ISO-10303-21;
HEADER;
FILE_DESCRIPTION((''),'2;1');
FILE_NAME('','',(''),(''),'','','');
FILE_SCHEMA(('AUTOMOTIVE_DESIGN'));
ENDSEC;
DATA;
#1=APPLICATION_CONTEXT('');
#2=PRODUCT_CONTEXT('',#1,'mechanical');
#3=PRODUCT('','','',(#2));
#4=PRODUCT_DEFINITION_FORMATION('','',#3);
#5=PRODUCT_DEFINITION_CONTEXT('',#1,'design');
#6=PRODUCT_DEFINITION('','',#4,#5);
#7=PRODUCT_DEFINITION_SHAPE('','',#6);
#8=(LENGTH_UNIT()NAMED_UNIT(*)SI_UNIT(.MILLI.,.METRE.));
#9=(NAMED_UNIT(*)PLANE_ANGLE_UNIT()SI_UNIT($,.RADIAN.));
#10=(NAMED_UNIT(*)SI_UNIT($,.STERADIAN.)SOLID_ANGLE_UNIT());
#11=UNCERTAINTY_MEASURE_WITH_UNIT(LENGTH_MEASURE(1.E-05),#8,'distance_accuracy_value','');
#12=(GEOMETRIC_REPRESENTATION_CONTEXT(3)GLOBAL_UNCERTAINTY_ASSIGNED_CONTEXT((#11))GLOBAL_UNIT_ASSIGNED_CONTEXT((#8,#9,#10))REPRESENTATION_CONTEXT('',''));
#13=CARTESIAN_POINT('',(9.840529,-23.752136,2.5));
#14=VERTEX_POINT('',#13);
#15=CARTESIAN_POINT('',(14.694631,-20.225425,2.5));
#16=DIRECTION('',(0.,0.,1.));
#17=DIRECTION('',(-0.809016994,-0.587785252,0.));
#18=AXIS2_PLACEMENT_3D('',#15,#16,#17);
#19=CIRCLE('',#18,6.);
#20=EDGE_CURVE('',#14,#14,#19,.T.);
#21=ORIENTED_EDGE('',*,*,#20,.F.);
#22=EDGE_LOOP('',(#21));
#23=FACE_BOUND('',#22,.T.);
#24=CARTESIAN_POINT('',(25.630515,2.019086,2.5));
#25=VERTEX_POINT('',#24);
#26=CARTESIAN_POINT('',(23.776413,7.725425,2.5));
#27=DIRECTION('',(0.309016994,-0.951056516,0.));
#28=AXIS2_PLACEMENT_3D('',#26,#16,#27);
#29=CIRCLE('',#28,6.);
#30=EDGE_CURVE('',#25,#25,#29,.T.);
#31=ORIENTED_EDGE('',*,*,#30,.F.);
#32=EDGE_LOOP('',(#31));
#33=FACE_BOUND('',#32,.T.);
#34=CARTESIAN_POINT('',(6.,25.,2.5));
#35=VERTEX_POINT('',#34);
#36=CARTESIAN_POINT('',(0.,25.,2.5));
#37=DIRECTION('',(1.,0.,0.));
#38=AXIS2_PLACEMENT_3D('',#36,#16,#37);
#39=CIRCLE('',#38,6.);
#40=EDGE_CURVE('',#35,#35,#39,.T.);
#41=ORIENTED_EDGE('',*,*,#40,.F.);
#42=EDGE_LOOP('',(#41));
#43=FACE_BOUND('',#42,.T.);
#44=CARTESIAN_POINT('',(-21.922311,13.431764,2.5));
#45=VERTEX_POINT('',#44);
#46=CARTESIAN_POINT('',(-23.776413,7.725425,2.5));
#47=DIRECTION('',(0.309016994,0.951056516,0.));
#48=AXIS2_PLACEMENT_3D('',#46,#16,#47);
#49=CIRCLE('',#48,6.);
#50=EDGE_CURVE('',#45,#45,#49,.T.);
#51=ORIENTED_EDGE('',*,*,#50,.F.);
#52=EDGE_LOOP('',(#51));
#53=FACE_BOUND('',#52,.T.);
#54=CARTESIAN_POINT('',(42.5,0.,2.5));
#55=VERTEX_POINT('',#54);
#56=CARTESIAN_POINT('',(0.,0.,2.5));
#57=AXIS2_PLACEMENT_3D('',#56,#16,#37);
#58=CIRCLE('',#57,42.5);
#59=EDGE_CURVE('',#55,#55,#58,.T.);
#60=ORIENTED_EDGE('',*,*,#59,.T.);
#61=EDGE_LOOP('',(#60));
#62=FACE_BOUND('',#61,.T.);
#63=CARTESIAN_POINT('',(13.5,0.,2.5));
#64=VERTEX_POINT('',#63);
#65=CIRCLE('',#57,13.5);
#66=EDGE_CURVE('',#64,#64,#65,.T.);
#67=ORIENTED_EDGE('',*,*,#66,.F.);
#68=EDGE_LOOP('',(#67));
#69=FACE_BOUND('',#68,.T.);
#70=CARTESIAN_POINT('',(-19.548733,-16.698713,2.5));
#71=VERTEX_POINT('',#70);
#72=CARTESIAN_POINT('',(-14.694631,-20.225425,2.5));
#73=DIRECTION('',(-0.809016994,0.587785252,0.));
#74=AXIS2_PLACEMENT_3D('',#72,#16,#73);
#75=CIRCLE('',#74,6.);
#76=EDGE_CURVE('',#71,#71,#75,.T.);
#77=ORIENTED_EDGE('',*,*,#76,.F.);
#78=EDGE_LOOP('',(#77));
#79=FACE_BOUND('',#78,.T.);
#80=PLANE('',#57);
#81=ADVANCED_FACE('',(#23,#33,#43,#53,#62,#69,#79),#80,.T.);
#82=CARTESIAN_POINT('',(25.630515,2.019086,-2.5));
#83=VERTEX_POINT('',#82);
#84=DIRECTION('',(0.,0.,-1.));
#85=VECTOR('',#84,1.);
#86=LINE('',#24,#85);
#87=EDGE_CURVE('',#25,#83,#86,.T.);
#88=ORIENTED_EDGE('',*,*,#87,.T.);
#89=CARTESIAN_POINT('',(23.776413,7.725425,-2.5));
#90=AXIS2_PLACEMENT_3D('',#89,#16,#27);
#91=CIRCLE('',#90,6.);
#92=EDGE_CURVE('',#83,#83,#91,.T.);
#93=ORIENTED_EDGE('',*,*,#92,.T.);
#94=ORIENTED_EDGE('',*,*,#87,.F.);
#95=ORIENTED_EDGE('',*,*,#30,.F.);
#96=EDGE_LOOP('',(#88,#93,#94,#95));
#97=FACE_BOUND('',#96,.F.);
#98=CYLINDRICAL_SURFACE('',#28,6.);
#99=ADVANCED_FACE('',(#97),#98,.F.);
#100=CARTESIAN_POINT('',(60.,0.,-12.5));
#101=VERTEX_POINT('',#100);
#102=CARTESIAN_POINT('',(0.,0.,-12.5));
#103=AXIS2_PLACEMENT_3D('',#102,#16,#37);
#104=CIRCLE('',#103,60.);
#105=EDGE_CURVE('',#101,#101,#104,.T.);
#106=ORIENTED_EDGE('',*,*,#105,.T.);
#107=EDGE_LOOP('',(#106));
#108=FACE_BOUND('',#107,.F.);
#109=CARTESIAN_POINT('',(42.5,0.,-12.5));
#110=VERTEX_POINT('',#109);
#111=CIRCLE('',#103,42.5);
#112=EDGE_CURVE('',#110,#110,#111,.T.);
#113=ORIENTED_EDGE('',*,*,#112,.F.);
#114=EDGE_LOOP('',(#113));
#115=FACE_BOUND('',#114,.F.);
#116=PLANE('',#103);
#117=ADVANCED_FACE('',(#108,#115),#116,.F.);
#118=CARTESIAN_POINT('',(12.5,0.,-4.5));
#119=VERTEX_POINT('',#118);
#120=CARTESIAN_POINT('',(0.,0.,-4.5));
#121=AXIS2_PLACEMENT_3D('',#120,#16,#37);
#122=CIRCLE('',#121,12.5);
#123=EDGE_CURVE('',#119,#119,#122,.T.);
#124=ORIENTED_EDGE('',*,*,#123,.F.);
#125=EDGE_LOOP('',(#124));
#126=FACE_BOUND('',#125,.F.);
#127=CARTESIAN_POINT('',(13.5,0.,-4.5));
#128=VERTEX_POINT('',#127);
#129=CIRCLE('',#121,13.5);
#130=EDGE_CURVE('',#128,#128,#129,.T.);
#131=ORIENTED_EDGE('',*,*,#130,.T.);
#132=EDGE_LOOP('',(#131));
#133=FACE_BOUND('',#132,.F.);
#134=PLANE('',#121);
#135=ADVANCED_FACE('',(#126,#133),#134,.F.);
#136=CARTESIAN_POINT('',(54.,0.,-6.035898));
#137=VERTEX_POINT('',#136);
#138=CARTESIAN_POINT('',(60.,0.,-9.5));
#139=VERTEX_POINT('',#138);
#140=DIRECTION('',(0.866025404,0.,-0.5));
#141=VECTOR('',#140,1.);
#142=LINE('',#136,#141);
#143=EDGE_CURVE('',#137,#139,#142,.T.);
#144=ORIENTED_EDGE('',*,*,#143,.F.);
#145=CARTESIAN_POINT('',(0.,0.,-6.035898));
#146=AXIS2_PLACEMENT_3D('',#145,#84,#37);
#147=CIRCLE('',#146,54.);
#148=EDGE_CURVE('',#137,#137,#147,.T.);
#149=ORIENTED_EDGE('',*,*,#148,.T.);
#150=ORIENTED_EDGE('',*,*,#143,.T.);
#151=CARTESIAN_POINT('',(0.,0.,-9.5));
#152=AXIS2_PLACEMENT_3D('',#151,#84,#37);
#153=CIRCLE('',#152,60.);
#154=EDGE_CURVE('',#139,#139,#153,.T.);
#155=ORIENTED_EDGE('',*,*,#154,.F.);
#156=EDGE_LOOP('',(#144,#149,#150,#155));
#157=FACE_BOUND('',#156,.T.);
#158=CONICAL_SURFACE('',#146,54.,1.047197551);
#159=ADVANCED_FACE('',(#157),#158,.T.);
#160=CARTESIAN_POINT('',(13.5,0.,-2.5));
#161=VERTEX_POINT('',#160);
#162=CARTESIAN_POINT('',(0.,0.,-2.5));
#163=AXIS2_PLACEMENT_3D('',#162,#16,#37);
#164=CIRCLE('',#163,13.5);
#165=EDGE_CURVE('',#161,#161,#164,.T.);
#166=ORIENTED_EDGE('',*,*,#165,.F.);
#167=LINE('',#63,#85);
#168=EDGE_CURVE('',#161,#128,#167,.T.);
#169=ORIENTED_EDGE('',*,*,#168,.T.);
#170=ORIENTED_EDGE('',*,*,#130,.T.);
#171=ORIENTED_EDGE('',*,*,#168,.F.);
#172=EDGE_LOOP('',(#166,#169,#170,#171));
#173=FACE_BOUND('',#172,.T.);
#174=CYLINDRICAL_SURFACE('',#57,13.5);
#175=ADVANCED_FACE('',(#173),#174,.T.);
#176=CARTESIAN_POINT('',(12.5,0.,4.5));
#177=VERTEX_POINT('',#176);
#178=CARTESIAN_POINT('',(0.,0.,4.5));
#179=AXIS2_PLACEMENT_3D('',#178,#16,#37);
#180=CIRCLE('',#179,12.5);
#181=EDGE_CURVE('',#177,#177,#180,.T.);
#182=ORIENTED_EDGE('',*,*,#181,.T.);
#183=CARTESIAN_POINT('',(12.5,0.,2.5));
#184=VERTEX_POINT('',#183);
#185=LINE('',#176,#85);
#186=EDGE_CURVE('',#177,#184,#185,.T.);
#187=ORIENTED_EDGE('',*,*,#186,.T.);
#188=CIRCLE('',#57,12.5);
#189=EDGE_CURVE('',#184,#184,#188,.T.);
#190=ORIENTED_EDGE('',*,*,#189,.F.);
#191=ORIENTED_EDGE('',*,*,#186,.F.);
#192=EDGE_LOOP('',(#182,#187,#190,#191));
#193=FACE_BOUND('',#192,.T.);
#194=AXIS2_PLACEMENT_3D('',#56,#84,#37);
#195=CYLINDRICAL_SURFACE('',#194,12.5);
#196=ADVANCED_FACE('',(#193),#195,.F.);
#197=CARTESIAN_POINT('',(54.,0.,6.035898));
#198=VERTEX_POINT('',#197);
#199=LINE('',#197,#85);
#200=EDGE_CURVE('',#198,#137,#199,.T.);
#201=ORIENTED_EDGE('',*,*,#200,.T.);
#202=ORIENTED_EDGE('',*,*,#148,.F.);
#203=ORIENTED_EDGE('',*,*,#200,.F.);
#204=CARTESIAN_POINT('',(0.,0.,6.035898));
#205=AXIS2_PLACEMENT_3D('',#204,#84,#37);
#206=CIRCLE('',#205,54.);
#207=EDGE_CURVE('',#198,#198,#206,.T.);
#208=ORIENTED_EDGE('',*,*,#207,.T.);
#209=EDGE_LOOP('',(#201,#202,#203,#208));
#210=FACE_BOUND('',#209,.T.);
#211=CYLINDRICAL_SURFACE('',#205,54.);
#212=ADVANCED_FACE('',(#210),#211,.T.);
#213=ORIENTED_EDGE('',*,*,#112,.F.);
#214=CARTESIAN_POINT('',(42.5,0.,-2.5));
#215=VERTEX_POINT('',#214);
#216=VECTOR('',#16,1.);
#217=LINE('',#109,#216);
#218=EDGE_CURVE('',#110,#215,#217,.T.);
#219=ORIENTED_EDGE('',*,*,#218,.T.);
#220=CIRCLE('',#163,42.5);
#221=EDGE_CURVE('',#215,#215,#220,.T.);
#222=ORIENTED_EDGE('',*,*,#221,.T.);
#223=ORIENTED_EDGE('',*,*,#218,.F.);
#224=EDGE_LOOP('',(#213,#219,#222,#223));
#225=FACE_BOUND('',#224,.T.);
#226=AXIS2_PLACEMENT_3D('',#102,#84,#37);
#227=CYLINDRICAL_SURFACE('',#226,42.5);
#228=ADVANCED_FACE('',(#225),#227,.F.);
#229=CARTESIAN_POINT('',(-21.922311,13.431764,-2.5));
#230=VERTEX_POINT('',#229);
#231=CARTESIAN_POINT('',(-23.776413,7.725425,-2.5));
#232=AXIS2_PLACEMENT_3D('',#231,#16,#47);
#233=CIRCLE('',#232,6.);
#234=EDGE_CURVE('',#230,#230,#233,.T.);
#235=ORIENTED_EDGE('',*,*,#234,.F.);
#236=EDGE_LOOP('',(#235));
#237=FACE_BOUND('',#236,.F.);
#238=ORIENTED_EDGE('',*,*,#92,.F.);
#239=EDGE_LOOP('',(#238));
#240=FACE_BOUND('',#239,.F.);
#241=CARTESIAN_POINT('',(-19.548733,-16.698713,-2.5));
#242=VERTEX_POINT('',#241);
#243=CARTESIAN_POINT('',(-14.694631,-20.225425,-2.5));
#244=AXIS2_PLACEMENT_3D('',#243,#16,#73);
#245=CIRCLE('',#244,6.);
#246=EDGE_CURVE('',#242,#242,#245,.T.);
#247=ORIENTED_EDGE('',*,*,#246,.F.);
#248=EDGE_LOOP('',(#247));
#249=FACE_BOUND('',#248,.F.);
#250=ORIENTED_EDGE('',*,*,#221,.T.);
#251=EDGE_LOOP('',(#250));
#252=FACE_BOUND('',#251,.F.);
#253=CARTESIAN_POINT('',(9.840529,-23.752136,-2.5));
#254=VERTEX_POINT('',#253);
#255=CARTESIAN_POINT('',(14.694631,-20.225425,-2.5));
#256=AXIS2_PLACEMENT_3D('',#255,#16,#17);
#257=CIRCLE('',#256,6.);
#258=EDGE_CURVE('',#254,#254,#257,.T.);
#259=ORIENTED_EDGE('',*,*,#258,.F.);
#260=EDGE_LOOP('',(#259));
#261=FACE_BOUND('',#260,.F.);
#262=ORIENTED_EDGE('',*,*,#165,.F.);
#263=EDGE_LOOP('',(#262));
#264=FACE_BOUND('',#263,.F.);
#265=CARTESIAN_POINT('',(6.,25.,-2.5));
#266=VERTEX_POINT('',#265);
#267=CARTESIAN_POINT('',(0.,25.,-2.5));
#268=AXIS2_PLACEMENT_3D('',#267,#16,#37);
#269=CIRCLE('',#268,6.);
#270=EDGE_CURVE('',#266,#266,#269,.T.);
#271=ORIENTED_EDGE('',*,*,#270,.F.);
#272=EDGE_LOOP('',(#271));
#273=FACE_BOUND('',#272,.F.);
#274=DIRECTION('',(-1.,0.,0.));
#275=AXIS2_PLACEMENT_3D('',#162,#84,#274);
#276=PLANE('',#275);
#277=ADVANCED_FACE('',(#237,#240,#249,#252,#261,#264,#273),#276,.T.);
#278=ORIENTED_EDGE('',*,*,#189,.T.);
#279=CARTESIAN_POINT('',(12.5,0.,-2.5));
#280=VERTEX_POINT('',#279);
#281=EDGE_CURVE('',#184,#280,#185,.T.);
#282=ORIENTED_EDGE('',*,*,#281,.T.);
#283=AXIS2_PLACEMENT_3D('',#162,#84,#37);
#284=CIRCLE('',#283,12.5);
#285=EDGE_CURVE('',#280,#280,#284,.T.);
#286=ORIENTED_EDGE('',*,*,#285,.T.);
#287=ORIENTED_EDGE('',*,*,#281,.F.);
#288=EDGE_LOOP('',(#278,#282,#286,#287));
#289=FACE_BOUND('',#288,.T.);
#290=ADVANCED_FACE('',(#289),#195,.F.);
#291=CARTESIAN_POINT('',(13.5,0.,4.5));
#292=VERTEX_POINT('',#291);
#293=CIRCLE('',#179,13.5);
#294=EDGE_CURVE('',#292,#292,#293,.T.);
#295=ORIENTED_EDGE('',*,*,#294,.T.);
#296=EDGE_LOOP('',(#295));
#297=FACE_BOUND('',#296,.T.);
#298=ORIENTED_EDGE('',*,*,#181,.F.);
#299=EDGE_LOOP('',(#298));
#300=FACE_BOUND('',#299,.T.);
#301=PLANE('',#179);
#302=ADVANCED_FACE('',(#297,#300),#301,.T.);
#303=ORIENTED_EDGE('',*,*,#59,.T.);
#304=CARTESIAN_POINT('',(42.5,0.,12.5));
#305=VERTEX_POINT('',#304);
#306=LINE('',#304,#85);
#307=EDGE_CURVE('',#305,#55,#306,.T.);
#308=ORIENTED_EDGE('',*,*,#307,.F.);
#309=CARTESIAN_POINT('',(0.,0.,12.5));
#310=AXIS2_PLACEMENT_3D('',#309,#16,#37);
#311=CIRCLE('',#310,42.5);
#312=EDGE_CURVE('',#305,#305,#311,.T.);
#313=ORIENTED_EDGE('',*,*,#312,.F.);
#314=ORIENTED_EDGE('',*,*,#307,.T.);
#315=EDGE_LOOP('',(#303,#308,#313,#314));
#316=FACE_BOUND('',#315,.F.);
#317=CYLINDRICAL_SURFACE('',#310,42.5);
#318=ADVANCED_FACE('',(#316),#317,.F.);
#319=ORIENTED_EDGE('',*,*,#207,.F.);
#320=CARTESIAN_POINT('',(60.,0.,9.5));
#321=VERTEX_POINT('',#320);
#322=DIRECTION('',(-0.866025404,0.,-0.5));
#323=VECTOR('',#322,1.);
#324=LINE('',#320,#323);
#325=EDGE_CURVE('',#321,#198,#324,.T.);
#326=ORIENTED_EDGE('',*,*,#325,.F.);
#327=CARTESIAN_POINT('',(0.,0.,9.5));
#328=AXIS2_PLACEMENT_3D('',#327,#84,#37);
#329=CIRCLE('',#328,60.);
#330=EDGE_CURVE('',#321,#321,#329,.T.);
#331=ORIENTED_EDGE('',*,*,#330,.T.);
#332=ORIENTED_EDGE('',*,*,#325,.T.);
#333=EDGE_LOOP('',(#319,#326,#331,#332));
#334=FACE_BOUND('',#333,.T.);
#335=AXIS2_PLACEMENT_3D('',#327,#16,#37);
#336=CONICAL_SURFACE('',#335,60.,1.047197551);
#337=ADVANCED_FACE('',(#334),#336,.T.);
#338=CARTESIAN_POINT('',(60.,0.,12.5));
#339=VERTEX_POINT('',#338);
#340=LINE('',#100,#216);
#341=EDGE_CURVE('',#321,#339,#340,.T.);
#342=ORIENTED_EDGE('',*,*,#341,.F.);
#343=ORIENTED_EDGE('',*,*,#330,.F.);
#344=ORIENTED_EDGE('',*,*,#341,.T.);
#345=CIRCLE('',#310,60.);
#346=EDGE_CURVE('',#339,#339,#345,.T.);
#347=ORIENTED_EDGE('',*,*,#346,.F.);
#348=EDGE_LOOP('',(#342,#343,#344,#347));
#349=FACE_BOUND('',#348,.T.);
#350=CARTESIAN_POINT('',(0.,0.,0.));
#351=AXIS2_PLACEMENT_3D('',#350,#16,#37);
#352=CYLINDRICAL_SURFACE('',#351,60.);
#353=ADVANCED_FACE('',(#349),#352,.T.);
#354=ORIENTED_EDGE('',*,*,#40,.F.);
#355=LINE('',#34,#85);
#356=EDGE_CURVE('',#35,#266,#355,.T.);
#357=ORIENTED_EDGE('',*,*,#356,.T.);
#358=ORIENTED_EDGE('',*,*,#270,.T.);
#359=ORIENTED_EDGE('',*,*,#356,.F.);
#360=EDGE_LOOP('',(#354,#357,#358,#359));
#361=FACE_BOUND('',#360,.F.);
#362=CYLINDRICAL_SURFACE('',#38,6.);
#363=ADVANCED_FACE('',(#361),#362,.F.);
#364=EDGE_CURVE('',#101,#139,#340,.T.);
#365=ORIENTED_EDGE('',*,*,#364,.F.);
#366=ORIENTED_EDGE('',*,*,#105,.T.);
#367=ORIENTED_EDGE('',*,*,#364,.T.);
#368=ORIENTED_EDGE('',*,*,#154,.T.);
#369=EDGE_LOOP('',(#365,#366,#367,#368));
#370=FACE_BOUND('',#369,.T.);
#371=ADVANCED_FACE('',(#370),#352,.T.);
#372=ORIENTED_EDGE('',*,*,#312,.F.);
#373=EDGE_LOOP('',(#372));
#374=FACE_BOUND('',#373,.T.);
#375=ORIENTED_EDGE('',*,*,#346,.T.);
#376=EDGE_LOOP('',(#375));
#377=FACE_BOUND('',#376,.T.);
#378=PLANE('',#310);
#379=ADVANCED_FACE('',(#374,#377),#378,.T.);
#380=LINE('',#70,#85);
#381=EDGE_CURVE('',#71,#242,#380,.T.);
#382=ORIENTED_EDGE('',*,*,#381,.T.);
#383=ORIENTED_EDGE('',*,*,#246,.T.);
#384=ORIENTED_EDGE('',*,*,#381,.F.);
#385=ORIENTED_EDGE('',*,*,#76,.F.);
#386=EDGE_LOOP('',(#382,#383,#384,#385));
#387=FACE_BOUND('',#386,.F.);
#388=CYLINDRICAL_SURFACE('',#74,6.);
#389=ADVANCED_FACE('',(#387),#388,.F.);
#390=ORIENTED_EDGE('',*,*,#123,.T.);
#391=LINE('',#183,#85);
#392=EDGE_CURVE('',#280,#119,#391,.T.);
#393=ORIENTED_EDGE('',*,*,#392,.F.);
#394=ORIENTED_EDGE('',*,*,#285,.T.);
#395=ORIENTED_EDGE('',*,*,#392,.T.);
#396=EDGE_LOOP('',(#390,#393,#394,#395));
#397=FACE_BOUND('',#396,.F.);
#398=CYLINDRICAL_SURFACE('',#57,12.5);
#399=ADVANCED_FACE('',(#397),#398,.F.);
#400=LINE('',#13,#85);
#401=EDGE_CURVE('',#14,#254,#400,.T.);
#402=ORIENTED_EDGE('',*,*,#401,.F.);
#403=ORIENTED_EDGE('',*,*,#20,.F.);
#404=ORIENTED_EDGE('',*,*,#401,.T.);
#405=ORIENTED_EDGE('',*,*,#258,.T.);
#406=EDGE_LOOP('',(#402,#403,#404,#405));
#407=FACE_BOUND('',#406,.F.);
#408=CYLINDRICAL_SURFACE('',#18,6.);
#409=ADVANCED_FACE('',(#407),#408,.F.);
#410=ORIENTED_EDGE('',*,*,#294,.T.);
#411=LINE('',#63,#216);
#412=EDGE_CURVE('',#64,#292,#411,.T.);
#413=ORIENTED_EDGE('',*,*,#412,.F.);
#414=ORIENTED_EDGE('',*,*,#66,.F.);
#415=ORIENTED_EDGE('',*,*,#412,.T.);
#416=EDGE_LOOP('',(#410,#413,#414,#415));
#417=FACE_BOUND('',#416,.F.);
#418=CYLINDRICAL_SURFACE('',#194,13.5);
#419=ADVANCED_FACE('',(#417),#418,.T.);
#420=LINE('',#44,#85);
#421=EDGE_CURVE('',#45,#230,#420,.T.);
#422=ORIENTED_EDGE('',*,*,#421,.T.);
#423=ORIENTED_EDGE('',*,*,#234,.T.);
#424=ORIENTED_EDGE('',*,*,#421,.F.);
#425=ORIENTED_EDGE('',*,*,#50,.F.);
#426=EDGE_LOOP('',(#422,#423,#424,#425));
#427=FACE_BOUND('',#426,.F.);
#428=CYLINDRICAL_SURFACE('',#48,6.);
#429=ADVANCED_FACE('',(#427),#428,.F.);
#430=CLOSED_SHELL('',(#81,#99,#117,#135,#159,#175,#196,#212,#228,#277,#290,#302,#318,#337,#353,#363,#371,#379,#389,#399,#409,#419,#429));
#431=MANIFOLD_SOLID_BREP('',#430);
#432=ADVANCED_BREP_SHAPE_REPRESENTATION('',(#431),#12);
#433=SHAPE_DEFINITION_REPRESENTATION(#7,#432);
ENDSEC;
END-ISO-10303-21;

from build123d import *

# Parameters (mm, degrees)
SKETCH1_R                = 60
SKETCH1_R_2              = 12.5
BOSS_EXTRUDE1_DEPTH      = 12.5
SKETCH2_R                = 42.5
CUT_EXTRUDE1_DEPTH       = 10
SKETCH3_R                = 6
CUT_EXTRUDE2_DEPTH       = 10
CIRPATTERN1_COUNT        = 5
SKETCH5_R                = 13.5
SKETCH5_R_2              = 12.5
BOSS_EXTRUDE2_DEPTH      = 2
BOSS_EXTRUDE2_DEPTH_BACK = 7


with BuildPart() as part:
    # Sketch1 → Boss-Extrude1 (new body, symmetric)
    with BuildSketch(Plane.XY):
        Circle(SKETCH1_R)
        Circle(SKETCH1_R_2, mode=Mode.SUBTRACT)
    extrude(amount=BOSS_EXTRUDE1_DEPTH, both=True)

    # Sketch2 → Cut-Extrude1 (cut)
    with BuildSketch(Plane.XY.offset(12.5)):
        Circle(SKETCH2_R)
    cut_extrude1 = extrude(amount=-CUT_EXTRUDE1_DEPTH, mode=Mode.SUBTRACT)

    # Mirror1: Cut-Extrude1 across plane
    add(cut_extrude1.mirror(Plane.XY), mode=Mode.SUBTRACT)

    # Sketch3 → Cut-Extrude2 (cut)
    with BuildSketch(Plane.XY.offset(2.5)):
        with Locations((0, 25)):
            Circle(SKETCH3_R)
    cut_extrude2 = extrude(amount=-CUT_EXTRUDE2_DEPTH, mode=Mode.SUBTRACT)

    # CirPattern1: Cut-Extrude2 ×5 about axis
    cirpattern1_axis = Axis((0, 0, 0), (0, 0, 1))
    for i in range(1, CIRPATTERN1_COUNT):
        add(cut_extrude2.rotate(cirpattern1_axis, i * 360 / CIRPATTERN1_COUNT), mode=Mode.SUBTRACT)

    # Sketch4 → Cut-Revolve1 (revolve, cut)
    with BuildSketch(Plane(origin=(0, 0, 0), x_dir=(1, 0, 0), z_dir=(0, 1, 0))):
        Polygon((60, 9.5), (60, -9.5), (54, -6.035898385), (54, 6.035898385), align=None)
    revolve(axis=Axis((0, 0, 0), (0, 0, -1)), mode=Mode.SUBTRACT)

    # Sketch5 → Boss-Extrude2 (add, two sides)
    with BuildSketch(Plane.XY.offset(2.5)) as boss_extrude2_sk:
        Circle(SKETCH5_R)
        Circle(SKETCH5_R_2, mode=Mode.SUBTRACT)
    extrude(amount=BOSS_EXTRUDE2_DEPTH)
    extrude(boss_extrude2_sk.sketch, amount=-BOSS_EXTRUDE2_DEPTH_BACK)


solid = part.part
